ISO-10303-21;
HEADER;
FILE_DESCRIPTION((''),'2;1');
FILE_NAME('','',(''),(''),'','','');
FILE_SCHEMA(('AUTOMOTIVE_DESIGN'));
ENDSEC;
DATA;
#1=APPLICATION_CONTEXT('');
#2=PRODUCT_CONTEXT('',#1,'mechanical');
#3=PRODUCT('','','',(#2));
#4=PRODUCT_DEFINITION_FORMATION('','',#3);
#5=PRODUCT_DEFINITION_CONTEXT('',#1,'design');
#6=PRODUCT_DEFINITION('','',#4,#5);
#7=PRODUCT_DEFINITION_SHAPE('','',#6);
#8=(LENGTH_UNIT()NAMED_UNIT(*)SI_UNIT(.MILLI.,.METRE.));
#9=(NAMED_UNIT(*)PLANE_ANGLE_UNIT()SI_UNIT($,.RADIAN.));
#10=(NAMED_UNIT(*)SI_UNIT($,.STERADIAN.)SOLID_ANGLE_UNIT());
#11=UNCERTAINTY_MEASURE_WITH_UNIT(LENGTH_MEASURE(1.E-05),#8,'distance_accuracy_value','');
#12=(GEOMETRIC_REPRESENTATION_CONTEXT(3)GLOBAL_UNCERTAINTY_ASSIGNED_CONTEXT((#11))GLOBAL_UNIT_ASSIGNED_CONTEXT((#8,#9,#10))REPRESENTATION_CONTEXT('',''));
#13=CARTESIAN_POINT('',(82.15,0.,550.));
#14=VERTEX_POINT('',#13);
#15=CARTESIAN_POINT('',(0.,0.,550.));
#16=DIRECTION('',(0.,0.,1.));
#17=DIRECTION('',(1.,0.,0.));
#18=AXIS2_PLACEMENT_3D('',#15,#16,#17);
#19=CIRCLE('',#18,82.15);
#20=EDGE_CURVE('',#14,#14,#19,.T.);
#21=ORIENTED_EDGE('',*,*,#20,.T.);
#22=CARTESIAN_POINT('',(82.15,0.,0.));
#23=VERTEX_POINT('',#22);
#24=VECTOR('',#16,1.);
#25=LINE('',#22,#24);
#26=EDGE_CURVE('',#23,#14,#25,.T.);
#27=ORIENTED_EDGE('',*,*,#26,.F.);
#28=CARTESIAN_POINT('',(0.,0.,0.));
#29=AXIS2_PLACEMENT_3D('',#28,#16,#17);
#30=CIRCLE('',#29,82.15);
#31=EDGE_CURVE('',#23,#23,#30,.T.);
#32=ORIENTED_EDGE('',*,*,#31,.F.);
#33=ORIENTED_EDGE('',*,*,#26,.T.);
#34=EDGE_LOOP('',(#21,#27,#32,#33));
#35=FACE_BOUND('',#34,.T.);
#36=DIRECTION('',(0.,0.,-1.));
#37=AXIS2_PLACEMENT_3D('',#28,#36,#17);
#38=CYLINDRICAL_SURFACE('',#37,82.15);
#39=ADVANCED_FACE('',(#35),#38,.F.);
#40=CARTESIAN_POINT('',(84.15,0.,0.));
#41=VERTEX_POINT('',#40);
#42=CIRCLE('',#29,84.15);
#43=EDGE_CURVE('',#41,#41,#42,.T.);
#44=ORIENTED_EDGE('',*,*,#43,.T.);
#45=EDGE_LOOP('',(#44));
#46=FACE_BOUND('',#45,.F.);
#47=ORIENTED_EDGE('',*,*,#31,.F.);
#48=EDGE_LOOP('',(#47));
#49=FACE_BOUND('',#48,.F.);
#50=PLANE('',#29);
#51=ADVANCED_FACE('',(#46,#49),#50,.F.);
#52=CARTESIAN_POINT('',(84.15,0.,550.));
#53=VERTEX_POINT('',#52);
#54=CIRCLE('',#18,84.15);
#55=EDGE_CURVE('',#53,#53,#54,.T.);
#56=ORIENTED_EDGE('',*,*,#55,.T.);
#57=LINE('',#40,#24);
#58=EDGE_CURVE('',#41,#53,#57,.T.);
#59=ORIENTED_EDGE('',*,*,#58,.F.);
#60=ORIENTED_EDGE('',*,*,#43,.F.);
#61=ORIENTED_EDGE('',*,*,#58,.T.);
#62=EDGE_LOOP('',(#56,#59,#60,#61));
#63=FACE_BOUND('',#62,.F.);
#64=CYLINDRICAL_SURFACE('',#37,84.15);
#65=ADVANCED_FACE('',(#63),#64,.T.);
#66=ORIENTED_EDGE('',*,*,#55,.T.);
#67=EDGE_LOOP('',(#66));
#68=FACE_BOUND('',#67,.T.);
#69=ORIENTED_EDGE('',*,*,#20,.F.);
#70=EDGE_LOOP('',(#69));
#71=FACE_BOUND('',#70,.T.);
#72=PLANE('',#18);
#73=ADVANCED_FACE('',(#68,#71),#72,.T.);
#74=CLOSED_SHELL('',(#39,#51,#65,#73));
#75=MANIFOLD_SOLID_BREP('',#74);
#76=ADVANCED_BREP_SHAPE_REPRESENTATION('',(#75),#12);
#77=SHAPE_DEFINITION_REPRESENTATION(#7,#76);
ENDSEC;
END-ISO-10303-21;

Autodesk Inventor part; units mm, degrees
ref_plane "YZ Plane" through (0, 0, 0) normal (1, 0, 0) x (0, 1, 0)
ref_plane "Start plane" through (0, 0, 0) normal (0, 0, 1) x (1, 0, 0)
ref_plane "End plane" through (0, 0, 550) normal (0, 0, 1) x (1, 0, 0)
sketch "Sketch" plane through (0, 0, 0) normal (0, 0, 1) x (1, 0, 0)
  circle A0 centre (0, 0) radius 82.15
  circle A1 centre (0, 0) radius 84.15
  dimension "d0" = 168.3
  dimension "d1" = 2
extrude "Body" add sketch "Sketch" along normal up to surface (550 mm away) from surface at 0
sketch "Sketch3" plane through (0, 0, 0) normal (0, 0, 1) x (1, 0, 0)
  line L0 (0, 0) -> (10, 0)
ref_plane "Work Plane3" through (0, 0, 0) normal (0, -1, 0) x (1, 0, 0)
sketch "Sketch4" plane through (0, 0, 0) normal (0, -1, 0) x (1, 0, 0)
  line L0 (-2, 0) -> (12, 0) projected
  line L1 (-2, 550) -> (12, 550) projected
  dimension "d7" = 550
equation "\"d0\" = G_H"
equation "\"d1\" = G_T"
equation "\"d2\" = G_L"
equation "\"G_H\" = 168.3"
equation "\"G_T\" = 2"
equation "\"G_L\" = d7"
equation "\"G_OFFSET_START\" = 0"
equation "\"G_OFFSET_END\" = 0"
properties part number "UNI EN ISO 1127-1 - 168.3 x 2 - 550" material "Stainless Steel"
